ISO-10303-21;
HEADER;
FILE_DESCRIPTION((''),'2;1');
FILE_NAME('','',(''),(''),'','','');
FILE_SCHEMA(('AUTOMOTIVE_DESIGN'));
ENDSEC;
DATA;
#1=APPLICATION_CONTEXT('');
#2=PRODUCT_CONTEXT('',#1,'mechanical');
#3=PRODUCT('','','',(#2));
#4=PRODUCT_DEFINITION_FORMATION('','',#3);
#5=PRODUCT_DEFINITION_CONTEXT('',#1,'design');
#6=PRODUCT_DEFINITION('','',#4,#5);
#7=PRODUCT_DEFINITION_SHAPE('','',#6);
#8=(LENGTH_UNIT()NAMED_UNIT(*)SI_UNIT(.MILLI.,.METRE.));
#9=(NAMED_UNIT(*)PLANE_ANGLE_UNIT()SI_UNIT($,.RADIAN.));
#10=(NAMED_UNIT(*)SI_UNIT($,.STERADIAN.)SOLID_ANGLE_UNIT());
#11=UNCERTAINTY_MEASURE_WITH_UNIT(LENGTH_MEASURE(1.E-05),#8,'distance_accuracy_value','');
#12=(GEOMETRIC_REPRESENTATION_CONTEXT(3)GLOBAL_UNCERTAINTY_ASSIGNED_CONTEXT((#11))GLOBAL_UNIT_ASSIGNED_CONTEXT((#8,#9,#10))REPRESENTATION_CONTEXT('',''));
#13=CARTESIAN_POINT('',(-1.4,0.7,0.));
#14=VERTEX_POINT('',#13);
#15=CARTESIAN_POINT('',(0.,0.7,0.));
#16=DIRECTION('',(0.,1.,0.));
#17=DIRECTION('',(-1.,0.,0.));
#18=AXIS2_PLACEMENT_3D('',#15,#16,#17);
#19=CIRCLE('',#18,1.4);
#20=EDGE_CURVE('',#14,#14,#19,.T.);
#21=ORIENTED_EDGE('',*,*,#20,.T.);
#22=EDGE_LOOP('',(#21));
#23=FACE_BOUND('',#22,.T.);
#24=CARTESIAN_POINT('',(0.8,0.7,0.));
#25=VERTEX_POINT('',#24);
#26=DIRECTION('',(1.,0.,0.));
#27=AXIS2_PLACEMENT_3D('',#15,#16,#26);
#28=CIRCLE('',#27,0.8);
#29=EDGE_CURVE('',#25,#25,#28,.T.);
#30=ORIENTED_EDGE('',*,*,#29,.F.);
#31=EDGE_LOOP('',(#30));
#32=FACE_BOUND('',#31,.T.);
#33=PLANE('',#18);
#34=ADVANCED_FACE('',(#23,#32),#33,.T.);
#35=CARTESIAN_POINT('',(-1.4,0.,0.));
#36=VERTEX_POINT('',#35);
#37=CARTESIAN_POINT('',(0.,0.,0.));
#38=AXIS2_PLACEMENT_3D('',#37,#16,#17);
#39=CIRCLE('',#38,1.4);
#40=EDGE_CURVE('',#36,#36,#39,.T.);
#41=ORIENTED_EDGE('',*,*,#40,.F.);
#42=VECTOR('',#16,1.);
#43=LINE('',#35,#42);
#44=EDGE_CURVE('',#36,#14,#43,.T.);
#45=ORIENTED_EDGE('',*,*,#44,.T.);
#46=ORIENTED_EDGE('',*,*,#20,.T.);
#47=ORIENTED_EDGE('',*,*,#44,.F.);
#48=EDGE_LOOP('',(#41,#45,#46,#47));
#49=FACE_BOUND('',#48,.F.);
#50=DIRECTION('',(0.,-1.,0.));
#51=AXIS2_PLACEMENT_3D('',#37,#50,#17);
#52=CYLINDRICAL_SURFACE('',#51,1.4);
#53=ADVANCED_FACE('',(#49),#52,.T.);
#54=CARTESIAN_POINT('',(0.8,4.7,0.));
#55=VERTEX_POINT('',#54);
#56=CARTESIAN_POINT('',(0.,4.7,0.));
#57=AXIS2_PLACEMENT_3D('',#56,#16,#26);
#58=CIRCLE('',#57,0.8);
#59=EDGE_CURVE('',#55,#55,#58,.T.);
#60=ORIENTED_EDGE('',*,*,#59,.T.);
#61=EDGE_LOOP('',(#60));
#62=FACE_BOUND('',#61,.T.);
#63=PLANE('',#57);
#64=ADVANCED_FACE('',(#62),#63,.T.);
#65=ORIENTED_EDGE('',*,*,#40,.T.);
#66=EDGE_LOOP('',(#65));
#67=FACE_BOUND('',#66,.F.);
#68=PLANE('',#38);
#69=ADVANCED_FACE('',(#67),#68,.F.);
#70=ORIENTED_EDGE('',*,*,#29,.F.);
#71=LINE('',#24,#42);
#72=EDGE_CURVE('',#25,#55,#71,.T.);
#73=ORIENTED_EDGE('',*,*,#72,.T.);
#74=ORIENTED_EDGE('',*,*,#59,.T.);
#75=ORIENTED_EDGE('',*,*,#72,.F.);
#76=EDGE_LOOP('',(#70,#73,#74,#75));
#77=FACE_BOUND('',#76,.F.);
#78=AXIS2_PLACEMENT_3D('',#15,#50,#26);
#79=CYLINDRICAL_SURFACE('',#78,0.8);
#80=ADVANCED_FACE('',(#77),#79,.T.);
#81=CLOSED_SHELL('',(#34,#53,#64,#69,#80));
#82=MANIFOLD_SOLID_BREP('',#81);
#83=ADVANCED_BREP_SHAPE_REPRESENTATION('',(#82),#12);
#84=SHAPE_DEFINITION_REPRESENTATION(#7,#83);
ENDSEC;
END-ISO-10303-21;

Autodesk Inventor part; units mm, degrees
ref_plane "YZ Plane" through (0, 0, 0) normal (1, 0, 0) x (0, 1, 0)
ref_plane "XZ Plane" through (0, 0, 0) normal (0, 1, 0) x (-1, 0, 0)
ref_plane "XY Plane" through (0, 0, 0) normal (0, 0, 1) x (1, 0, 0)
sketch "Sketch1" plane through (0, 0, 0) normal (0, 1, 0) x (-1, 0, 0)
  circle A0 centre (0, 0) radius 1.4
  dimension "d0" = 2.8
extrude "Extrusion1" add sketch "Sketch1" along normal blind 0.7
sketch "Sketch2" plane through (0, 0.7, 0) normal (0, 1, 0) x (1, 0, 0)
  circle A0 centre (0, 0) radius 0.8
  dimension "d3" = 1.6
extrude "Extrusion2" add sketch "Sketch2" along normal blind 4
properties part number "m1.6"
